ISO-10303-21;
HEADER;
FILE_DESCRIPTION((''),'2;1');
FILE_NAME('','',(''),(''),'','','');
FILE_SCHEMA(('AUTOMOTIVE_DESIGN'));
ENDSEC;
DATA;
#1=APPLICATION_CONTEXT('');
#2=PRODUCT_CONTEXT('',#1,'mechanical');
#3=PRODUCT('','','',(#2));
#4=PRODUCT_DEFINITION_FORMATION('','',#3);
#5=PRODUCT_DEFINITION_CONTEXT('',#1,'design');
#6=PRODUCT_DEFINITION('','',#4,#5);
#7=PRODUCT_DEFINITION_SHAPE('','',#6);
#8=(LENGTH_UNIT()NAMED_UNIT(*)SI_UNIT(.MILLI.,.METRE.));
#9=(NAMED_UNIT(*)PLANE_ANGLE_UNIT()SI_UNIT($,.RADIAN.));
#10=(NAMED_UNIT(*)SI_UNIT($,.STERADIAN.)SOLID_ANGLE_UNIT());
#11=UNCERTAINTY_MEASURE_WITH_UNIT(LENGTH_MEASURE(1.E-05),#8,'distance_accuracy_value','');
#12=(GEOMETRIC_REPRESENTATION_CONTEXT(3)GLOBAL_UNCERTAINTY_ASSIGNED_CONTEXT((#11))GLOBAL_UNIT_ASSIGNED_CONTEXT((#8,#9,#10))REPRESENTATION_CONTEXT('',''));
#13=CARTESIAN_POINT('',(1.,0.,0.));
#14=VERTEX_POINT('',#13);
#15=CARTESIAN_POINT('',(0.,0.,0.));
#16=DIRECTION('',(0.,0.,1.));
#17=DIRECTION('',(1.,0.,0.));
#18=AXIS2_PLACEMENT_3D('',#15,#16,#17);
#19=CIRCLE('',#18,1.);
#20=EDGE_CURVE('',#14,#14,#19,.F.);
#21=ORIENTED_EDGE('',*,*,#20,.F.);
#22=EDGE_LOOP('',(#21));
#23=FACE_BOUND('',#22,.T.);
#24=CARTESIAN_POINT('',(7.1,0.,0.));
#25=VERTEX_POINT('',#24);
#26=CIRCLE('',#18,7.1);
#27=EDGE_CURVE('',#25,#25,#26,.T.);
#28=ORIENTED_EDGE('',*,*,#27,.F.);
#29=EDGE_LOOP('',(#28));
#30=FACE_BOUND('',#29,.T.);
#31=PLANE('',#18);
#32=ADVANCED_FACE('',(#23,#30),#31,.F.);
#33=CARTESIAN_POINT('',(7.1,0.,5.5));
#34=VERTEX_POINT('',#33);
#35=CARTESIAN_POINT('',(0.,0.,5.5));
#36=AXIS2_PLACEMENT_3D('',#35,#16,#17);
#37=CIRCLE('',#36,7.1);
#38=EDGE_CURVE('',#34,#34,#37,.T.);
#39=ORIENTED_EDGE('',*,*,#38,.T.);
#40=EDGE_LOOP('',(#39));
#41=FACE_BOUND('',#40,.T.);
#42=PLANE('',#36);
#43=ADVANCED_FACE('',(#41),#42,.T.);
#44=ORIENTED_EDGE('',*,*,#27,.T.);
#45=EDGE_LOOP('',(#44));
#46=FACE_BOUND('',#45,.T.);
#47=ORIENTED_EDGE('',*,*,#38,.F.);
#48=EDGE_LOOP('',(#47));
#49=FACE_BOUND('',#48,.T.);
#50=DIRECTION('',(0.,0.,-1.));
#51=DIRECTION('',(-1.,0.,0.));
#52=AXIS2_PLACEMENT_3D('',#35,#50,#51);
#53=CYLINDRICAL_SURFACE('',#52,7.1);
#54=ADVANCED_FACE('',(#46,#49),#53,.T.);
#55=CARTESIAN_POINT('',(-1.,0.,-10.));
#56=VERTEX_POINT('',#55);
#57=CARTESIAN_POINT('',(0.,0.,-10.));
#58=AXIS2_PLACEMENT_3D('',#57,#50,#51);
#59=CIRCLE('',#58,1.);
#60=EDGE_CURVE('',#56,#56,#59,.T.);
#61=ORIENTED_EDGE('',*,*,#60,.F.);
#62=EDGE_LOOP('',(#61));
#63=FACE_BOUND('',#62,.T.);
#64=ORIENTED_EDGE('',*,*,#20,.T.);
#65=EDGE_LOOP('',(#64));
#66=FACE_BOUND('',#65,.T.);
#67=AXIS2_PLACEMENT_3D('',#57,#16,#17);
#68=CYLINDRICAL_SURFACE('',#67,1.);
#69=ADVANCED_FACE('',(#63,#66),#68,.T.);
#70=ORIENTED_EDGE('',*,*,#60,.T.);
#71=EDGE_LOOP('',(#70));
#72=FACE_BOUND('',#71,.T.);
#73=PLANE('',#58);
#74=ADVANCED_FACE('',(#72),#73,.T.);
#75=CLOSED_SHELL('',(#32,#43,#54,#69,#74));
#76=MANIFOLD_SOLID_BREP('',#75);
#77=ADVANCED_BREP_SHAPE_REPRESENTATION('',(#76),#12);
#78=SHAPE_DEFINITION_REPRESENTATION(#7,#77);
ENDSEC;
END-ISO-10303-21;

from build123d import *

# Parameters (mm, degrees)
SKETCH1_R           = 7.1
BOSS_EXTRUDE1_DEPTH = 5.5
SKETCH2_R           = 1
BOSS_EXTRUDE2_DEPTH = 10


with BuildPart() as part:
    # Sketch1 → Boss-Extrude1 (new body)
    with BuildSketch(Plane.XY):
        Circle(SKETCH1_R)
    extrude(amount=BOSS_EXTRUDE1_DEPTH)

    # Sketch2 → Boss-Extrude2 (add)
    with BuildSketch(Plane(origin=(0, 0, 0), x_dir=(-1, 0, 0), z_dir=(0, 0, -1))):
        with Locations(Location((0, 0, 0), (0, 0, 180))):
            Circle(SKETCH2_R)
    extrude(amount=BOSS_EXTRUDE2_DEPTH)


solid = part.part
